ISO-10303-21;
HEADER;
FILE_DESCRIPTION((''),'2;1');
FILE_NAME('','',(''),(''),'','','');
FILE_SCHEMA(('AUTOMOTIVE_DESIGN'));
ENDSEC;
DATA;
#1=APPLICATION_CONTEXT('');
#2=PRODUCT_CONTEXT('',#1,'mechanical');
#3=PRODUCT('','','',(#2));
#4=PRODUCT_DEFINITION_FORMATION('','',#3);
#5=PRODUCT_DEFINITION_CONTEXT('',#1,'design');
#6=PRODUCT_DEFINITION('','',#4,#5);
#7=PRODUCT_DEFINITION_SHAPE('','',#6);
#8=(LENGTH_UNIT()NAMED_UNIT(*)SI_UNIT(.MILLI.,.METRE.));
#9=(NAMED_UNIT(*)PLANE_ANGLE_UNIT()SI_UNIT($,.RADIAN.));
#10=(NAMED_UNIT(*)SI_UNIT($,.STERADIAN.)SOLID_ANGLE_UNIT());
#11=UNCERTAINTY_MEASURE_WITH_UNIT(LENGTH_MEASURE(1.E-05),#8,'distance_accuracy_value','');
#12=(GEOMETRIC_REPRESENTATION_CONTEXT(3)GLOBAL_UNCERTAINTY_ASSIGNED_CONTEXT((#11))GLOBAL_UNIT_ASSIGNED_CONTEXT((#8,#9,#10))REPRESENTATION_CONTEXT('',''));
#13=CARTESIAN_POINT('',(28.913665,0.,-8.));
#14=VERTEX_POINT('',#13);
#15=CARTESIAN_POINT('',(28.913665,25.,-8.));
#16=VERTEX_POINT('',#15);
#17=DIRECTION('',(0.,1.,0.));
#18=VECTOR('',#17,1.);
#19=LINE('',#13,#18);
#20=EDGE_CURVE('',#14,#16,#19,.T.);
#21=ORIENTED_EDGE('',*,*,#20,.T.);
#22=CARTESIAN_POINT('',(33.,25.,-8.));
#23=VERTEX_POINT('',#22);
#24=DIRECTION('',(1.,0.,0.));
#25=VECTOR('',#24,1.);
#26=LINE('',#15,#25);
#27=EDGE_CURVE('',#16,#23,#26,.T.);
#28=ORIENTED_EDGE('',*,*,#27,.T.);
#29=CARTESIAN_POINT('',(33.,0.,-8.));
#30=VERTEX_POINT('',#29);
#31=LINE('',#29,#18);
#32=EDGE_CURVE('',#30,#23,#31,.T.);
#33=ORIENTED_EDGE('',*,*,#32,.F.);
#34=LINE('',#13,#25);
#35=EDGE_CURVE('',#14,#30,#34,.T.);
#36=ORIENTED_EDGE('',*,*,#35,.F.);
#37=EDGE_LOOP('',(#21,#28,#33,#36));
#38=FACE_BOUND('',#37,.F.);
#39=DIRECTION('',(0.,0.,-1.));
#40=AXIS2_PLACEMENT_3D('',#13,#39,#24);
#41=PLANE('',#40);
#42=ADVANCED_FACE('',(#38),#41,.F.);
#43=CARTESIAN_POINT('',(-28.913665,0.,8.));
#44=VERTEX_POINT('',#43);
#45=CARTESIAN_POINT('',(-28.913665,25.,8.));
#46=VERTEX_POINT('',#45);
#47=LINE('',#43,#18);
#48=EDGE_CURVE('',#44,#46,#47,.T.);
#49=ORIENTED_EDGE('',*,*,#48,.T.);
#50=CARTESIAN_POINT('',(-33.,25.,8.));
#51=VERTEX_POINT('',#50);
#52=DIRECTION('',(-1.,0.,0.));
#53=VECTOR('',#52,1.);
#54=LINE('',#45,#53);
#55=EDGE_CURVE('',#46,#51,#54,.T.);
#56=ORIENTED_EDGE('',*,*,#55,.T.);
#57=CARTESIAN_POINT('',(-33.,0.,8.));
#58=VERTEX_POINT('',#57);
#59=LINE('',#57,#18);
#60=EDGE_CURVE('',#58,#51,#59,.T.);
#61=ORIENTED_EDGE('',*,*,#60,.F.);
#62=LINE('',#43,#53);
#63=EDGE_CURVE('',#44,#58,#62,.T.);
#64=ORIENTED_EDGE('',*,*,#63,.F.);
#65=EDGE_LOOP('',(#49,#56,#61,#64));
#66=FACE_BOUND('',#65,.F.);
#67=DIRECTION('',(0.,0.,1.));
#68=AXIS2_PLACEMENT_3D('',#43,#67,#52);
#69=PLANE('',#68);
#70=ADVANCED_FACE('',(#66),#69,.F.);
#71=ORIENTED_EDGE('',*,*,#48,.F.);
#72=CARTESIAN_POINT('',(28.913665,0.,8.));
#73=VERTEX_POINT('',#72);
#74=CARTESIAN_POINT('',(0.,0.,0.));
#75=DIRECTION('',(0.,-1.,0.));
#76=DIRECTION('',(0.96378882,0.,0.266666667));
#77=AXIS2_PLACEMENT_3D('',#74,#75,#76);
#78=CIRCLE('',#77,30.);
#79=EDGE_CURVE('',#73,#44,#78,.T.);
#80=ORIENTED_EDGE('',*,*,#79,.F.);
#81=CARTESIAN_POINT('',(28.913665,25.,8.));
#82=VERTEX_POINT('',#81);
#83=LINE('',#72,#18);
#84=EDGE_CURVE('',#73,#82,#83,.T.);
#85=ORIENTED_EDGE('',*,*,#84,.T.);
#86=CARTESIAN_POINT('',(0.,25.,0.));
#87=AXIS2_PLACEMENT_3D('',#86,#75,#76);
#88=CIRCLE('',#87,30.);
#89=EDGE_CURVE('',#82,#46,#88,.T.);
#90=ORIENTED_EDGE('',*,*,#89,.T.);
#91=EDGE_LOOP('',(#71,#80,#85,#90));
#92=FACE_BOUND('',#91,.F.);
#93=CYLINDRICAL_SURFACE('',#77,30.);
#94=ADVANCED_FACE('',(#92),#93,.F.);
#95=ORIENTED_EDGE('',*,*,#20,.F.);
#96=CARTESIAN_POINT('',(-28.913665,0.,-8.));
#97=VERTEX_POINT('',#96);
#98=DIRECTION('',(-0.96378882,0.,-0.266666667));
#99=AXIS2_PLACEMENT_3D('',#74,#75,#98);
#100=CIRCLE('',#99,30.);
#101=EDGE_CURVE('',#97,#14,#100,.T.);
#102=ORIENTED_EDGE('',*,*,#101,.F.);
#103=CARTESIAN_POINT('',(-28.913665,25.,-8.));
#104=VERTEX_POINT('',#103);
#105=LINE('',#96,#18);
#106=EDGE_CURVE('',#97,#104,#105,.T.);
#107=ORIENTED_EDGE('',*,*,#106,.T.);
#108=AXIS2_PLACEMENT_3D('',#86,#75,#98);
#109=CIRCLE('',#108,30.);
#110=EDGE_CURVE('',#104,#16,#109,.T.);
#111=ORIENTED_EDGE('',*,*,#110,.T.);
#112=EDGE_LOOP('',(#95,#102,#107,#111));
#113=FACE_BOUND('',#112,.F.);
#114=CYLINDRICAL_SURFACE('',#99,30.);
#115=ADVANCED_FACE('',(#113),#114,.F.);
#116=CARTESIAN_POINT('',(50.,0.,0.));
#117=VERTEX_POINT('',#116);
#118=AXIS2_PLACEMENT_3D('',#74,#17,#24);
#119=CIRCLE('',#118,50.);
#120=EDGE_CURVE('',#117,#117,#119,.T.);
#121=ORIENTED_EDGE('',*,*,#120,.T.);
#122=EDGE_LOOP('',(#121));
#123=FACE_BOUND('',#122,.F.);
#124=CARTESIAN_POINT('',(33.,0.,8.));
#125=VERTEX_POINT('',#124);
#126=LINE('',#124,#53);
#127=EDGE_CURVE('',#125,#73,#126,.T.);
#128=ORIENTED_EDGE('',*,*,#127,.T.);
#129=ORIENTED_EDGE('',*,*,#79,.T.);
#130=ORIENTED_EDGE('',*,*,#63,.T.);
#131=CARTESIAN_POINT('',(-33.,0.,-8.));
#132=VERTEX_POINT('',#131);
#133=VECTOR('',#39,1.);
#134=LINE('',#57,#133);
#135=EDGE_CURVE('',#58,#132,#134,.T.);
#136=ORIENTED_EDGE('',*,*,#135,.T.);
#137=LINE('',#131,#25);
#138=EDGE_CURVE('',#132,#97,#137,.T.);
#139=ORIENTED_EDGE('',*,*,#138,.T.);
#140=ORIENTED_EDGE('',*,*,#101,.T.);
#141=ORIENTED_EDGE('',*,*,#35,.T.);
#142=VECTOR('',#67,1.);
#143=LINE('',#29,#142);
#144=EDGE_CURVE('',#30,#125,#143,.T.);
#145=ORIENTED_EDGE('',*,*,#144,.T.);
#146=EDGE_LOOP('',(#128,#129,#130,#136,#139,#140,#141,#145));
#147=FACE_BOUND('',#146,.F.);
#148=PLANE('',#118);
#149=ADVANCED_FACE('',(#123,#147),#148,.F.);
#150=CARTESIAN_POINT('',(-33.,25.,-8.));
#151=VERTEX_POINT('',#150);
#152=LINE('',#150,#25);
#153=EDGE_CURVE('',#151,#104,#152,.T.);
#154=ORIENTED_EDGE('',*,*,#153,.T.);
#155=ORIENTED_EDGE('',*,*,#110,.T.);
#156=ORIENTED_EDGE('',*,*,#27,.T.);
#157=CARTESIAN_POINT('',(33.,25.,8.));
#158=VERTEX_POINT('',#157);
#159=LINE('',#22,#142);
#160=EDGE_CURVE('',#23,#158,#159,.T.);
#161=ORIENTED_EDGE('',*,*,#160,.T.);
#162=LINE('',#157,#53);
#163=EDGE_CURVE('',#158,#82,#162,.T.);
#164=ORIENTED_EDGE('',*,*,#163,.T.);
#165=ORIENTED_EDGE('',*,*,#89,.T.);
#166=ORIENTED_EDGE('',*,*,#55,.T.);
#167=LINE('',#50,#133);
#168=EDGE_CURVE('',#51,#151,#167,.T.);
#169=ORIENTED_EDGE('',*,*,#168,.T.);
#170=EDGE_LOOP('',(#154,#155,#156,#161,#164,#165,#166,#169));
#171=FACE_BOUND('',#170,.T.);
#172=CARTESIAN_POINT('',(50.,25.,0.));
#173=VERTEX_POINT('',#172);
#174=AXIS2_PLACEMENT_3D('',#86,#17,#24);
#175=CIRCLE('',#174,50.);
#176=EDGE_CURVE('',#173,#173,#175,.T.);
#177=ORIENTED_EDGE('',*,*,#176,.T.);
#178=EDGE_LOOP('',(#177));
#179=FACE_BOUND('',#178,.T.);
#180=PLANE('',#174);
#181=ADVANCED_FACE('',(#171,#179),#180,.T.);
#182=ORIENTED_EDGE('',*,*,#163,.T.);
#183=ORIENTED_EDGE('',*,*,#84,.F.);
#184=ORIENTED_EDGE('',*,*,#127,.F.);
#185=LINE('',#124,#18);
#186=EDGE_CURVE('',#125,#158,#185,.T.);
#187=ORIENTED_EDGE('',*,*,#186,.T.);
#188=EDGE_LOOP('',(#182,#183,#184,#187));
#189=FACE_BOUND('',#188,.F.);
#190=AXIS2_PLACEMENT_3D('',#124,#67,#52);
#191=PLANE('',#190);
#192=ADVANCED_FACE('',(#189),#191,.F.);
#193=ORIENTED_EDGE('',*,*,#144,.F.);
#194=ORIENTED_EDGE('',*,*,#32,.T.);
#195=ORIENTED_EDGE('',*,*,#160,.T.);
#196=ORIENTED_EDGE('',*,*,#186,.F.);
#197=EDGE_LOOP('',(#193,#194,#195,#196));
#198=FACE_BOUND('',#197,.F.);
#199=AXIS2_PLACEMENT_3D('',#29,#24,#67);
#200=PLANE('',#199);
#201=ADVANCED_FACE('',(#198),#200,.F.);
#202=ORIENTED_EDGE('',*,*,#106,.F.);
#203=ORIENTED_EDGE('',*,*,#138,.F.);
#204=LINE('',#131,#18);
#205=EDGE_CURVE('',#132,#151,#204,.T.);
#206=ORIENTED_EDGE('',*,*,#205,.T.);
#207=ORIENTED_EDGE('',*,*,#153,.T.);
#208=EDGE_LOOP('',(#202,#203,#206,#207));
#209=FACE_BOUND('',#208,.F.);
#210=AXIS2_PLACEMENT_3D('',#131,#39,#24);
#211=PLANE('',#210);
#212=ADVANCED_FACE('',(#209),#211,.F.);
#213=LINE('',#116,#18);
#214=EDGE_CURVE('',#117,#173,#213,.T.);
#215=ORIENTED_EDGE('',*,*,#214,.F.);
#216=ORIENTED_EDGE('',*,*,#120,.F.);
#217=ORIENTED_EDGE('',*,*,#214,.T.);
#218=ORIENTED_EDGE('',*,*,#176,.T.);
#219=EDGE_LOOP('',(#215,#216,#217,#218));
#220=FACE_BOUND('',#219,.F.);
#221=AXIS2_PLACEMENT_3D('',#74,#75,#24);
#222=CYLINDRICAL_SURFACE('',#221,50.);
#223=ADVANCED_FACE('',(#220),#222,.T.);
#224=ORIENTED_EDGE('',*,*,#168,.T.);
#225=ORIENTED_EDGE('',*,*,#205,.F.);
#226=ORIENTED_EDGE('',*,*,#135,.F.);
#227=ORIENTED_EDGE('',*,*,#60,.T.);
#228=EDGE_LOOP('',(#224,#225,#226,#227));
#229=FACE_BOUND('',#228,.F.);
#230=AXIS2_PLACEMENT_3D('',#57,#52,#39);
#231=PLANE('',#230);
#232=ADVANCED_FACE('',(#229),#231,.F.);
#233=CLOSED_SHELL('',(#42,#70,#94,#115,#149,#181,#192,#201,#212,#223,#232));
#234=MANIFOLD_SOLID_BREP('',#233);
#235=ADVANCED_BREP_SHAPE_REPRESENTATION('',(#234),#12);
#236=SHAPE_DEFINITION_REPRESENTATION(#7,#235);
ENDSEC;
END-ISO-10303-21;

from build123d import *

# Parameters (mm, degrees)
SKETCH1_R           = 50
BOSS_EXTRUDE1_DEPTH = 25


with BuildPart() as part:
    # Sketch1 → Boss-Extrude1 (new body)
    with BuildSketch(Plane(origin=(0, 0, 0), x_dir=(1, 0, 0), z_dir=(0, 1, 0))):
        Circle(SKETCH1_R)
        with BuildLine():
            Line((-28.91366459, -8), (-33, -8))
            Line((-33, -8), (-33, 8))
            Line((-33, 8), (-28.91366459, 8))
            ThreePointArc((-28.91366459, 8), (0, 30), (28.91366459, 8))
            Line((28.91366459, 8), (33, 8))
            Line((33, 8), (33, -8))
            Line((33, -8), (28.91366459, -8))
            ThreePointArc((28.91366459, -8), (0, -30), (-28.91366459, -8))
        make_face(mode=Mode.SUBTRACT)
    extrude(amount=BOSS_EXTRUDE1_DEPTH)


solid = part.part
